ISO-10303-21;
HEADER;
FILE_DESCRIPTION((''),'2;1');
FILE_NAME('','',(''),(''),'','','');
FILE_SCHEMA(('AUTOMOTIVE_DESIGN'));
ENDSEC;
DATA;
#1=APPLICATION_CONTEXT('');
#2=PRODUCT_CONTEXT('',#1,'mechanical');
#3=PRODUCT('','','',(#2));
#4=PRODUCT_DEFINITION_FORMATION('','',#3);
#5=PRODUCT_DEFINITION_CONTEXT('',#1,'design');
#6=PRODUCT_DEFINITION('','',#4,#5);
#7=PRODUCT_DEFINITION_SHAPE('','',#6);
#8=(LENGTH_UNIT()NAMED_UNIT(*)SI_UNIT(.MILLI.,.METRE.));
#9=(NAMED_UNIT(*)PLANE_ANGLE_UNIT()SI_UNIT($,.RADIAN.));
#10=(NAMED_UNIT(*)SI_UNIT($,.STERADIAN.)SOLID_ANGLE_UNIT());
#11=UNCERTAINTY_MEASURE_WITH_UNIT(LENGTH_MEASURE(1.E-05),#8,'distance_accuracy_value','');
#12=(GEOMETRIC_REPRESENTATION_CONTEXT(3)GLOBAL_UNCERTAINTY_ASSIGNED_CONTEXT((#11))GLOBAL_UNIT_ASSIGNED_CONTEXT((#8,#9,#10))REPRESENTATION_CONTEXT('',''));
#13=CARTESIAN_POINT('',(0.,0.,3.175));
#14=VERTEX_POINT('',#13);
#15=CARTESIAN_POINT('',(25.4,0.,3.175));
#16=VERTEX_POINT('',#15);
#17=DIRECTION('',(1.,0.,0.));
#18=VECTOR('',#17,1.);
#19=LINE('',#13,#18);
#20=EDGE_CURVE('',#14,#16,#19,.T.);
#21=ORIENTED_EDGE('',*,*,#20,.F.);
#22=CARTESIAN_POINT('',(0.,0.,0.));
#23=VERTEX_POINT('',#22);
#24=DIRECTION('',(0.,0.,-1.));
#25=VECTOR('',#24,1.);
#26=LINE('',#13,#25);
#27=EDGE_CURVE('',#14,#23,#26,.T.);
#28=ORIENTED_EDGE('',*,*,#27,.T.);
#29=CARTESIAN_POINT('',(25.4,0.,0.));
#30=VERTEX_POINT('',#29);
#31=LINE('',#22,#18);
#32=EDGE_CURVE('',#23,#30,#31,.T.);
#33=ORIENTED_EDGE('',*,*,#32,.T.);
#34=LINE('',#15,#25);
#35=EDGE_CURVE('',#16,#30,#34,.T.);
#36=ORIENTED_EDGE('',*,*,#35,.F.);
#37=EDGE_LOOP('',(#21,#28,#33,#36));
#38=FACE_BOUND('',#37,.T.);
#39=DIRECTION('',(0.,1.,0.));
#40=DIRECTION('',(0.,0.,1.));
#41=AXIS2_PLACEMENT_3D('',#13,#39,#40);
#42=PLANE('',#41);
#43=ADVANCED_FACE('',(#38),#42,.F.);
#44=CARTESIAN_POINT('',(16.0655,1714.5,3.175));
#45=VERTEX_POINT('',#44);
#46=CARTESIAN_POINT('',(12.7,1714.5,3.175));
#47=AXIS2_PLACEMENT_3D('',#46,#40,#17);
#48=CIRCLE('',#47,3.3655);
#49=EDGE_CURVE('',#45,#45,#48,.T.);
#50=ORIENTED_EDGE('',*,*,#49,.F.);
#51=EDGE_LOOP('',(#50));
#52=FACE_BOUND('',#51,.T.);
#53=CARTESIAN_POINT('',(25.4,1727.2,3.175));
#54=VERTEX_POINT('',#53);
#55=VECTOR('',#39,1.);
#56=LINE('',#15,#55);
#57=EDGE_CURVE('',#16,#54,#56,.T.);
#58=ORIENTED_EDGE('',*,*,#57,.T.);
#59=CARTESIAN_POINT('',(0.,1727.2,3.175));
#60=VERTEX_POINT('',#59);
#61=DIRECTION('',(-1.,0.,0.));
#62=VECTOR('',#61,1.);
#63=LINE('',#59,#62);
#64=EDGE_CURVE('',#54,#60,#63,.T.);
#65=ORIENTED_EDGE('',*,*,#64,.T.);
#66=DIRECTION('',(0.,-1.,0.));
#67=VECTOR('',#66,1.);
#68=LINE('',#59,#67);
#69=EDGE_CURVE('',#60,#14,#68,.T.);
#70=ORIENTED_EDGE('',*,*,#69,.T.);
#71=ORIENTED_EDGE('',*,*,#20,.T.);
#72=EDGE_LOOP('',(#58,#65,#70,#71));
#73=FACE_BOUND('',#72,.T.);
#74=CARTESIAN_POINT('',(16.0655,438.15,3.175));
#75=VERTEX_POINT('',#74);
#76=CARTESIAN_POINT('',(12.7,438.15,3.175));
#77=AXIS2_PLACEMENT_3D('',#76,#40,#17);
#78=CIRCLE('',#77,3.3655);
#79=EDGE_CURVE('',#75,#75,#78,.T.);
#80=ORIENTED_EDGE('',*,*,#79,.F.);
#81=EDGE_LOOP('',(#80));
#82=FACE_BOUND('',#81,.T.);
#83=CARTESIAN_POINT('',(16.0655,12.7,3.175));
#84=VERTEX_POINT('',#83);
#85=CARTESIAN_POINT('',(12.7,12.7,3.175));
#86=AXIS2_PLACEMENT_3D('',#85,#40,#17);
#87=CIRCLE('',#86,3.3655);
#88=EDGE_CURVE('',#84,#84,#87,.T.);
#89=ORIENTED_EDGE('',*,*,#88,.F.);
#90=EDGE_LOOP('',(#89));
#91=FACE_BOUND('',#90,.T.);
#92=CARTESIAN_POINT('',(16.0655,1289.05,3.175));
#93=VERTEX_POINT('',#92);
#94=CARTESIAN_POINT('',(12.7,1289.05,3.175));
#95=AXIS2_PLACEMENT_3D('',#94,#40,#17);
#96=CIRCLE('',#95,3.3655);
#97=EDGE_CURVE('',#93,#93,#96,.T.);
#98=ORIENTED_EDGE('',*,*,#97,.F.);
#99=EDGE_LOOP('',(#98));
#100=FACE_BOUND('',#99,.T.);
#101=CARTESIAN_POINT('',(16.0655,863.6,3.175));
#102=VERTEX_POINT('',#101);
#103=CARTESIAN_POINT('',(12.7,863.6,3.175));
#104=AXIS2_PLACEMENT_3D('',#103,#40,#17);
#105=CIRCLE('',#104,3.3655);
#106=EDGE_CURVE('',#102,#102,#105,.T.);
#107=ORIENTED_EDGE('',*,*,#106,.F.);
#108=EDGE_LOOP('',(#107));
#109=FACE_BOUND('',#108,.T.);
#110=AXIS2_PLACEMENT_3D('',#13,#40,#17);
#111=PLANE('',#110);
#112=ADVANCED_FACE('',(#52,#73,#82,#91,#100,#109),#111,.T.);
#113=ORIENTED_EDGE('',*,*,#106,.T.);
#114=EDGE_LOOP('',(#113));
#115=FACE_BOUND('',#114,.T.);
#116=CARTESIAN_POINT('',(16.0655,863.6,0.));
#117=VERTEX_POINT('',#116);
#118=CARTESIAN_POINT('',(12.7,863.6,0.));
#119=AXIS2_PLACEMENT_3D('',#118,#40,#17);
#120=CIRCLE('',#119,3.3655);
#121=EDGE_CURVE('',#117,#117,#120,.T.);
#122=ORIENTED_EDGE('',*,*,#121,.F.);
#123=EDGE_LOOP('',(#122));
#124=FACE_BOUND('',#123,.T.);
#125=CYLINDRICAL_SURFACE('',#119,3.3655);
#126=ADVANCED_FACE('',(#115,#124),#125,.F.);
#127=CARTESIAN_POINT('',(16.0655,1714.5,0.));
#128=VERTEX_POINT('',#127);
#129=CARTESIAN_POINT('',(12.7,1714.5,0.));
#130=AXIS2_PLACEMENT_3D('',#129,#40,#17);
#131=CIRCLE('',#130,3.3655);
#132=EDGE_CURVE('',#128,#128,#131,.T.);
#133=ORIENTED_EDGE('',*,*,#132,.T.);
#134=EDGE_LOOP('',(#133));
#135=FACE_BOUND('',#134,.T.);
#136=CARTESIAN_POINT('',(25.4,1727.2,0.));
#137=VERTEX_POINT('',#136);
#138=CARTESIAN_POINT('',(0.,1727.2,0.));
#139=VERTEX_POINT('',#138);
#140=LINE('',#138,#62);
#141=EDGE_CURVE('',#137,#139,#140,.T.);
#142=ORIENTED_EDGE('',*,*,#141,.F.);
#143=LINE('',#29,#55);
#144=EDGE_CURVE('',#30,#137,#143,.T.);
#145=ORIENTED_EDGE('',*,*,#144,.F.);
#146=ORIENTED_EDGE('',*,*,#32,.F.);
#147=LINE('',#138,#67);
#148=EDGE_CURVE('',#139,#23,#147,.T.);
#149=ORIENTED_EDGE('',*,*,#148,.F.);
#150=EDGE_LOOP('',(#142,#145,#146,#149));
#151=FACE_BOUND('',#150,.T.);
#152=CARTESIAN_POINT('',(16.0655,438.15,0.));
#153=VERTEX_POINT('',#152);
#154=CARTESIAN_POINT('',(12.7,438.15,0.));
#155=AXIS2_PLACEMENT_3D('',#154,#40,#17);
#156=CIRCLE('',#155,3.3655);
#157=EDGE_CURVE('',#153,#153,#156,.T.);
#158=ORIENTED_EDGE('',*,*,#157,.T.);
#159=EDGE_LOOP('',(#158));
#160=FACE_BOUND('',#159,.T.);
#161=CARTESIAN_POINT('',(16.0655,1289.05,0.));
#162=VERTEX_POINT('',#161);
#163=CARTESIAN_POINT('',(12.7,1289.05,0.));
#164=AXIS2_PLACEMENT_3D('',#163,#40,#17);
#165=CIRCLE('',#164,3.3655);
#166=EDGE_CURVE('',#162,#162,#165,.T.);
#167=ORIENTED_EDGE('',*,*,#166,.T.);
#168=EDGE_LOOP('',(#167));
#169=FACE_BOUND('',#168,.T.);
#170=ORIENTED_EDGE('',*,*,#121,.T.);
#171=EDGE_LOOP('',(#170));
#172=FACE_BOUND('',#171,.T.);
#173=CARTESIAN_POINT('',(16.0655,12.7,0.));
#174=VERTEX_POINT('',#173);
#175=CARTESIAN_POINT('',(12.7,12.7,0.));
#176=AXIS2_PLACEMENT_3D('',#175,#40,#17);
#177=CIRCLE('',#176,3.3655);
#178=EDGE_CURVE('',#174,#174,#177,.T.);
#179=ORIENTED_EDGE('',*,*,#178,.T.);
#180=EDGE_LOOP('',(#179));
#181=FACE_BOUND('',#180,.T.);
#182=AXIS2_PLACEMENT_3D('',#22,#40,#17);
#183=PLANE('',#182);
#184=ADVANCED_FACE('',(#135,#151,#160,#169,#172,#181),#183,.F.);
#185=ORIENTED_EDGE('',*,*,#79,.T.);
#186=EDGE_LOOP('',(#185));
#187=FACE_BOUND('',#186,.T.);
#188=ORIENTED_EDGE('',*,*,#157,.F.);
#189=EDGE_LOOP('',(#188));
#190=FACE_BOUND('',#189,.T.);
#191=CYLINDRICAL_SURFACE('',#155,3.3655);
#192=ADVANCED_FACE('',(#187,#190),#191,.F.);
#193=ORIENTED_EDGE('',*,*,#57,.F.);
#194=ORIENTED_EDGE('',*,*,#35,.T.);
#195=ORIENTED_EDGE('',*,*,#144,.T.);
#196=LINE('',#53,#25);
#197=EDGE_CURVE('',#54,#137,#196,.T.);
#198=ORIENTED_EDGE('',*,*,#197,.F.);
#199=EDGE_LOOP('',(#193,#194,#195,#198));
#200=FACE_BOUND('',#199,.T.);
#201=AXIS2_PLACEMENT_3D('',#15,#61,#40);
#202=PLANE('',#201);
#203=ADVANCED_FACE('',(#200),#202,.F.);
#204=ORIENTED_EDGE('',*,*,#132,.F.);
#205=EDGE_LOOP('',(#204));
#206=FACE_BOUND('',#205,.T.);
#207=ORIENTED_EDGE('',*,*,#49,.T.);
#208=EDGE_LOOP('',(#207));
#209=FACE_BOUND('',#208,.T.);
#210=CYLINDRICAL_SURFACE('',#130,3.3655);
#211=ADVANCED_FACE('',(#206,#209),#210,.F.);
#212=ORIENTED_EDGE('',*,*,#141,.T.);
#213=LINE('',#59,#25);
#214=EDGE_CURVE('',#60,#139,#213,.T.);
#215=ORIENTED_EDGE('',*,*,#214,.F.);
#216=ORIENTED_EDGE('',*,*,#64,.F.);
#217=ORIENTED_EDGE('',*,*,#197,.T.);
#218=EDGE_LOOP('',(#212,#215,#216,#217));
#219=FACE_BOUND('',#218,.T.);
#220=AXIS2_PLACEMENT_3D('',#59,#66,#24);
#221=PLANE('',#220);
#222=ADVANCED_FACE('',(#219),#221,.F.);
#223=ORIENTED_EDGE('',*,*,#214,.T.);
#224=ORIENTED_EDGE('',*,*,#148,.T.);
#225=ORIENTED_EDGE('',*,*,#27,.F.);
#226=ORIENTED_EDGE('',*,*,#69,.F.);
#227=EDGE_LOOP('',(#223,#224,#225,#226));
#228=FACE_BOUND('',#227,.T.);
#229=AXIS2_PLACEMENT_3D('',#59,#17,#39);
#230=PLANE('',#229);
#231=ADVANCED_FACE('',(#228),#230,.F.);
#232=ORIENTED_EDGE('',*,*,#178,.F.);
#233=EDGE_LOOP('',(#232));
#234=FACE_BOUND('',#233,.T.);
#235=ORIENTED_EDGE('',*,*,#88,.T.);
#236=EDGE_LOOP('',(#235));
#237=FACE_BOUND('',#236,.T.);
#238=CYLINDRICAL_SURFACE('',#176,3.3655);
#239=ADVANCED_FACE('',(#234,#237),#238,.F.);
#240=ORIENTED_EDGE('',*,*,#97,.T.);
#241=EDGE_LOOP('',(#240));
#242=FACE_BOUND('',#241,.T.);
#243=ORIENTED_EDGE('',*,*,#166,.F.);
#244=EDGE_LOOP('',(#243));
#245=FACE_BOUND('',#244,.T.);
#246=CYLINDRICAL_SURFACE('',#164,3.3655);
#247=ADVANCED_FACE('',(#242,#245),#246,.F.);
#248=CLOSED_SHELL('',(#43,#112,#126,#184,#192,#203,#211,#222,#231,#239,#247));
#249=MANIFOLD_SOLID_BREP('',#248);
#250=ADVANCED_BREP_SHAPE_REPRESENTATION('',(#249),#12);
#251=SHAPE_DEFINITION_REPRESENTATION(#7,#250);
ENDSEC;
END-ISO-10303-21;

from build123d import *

# Parameters (mm, degrees)
SKETCH1_W           = 25.4
SKETCH1_H           = 1727.2
BOSS_EXTRUDE1_DEPTH = 3.175
SKETCH2_R           = 3.3655
CUT_EXTRUDE1_DEPTH  = 4.175
LPATTERN1_COUNT     = 5
LPATTERN1_PITCH     = 425.45


with BuildPart() as part:
    # Sketch1 → Boss-Extrude1 (new body)
    with BuildSketch(Plane.XY):
        with Locations((12.7, 863.6)):
            Rectangle(SKETCH1_W, SKETCH1_H)
    extrude(amount=BOSS_EXTRUDE1_DEPTH)

    # Sketch2 → Cut-Extrude1 (cut, through all)
    with BuildSketch(Plane.XY.offset(3.175)):
        with Locations((12.7, 12.7)):
            Circle(SKETCH2_R)
    cut_extrude1 = extrude(amount=-CUT_EXTRUDE1_DEPTH, mode=Mode.SUBTRACT)

    # LPattern1: Cut-Extrude1 ×5
    with Locations(*[(0, i * LPATTERN1_PITCH, 0) for i in range(1, LPATTERN1_COUNT)]):
        add(cut_extrude1, mode=Mode.SUBTRACT)


solid = part.part
